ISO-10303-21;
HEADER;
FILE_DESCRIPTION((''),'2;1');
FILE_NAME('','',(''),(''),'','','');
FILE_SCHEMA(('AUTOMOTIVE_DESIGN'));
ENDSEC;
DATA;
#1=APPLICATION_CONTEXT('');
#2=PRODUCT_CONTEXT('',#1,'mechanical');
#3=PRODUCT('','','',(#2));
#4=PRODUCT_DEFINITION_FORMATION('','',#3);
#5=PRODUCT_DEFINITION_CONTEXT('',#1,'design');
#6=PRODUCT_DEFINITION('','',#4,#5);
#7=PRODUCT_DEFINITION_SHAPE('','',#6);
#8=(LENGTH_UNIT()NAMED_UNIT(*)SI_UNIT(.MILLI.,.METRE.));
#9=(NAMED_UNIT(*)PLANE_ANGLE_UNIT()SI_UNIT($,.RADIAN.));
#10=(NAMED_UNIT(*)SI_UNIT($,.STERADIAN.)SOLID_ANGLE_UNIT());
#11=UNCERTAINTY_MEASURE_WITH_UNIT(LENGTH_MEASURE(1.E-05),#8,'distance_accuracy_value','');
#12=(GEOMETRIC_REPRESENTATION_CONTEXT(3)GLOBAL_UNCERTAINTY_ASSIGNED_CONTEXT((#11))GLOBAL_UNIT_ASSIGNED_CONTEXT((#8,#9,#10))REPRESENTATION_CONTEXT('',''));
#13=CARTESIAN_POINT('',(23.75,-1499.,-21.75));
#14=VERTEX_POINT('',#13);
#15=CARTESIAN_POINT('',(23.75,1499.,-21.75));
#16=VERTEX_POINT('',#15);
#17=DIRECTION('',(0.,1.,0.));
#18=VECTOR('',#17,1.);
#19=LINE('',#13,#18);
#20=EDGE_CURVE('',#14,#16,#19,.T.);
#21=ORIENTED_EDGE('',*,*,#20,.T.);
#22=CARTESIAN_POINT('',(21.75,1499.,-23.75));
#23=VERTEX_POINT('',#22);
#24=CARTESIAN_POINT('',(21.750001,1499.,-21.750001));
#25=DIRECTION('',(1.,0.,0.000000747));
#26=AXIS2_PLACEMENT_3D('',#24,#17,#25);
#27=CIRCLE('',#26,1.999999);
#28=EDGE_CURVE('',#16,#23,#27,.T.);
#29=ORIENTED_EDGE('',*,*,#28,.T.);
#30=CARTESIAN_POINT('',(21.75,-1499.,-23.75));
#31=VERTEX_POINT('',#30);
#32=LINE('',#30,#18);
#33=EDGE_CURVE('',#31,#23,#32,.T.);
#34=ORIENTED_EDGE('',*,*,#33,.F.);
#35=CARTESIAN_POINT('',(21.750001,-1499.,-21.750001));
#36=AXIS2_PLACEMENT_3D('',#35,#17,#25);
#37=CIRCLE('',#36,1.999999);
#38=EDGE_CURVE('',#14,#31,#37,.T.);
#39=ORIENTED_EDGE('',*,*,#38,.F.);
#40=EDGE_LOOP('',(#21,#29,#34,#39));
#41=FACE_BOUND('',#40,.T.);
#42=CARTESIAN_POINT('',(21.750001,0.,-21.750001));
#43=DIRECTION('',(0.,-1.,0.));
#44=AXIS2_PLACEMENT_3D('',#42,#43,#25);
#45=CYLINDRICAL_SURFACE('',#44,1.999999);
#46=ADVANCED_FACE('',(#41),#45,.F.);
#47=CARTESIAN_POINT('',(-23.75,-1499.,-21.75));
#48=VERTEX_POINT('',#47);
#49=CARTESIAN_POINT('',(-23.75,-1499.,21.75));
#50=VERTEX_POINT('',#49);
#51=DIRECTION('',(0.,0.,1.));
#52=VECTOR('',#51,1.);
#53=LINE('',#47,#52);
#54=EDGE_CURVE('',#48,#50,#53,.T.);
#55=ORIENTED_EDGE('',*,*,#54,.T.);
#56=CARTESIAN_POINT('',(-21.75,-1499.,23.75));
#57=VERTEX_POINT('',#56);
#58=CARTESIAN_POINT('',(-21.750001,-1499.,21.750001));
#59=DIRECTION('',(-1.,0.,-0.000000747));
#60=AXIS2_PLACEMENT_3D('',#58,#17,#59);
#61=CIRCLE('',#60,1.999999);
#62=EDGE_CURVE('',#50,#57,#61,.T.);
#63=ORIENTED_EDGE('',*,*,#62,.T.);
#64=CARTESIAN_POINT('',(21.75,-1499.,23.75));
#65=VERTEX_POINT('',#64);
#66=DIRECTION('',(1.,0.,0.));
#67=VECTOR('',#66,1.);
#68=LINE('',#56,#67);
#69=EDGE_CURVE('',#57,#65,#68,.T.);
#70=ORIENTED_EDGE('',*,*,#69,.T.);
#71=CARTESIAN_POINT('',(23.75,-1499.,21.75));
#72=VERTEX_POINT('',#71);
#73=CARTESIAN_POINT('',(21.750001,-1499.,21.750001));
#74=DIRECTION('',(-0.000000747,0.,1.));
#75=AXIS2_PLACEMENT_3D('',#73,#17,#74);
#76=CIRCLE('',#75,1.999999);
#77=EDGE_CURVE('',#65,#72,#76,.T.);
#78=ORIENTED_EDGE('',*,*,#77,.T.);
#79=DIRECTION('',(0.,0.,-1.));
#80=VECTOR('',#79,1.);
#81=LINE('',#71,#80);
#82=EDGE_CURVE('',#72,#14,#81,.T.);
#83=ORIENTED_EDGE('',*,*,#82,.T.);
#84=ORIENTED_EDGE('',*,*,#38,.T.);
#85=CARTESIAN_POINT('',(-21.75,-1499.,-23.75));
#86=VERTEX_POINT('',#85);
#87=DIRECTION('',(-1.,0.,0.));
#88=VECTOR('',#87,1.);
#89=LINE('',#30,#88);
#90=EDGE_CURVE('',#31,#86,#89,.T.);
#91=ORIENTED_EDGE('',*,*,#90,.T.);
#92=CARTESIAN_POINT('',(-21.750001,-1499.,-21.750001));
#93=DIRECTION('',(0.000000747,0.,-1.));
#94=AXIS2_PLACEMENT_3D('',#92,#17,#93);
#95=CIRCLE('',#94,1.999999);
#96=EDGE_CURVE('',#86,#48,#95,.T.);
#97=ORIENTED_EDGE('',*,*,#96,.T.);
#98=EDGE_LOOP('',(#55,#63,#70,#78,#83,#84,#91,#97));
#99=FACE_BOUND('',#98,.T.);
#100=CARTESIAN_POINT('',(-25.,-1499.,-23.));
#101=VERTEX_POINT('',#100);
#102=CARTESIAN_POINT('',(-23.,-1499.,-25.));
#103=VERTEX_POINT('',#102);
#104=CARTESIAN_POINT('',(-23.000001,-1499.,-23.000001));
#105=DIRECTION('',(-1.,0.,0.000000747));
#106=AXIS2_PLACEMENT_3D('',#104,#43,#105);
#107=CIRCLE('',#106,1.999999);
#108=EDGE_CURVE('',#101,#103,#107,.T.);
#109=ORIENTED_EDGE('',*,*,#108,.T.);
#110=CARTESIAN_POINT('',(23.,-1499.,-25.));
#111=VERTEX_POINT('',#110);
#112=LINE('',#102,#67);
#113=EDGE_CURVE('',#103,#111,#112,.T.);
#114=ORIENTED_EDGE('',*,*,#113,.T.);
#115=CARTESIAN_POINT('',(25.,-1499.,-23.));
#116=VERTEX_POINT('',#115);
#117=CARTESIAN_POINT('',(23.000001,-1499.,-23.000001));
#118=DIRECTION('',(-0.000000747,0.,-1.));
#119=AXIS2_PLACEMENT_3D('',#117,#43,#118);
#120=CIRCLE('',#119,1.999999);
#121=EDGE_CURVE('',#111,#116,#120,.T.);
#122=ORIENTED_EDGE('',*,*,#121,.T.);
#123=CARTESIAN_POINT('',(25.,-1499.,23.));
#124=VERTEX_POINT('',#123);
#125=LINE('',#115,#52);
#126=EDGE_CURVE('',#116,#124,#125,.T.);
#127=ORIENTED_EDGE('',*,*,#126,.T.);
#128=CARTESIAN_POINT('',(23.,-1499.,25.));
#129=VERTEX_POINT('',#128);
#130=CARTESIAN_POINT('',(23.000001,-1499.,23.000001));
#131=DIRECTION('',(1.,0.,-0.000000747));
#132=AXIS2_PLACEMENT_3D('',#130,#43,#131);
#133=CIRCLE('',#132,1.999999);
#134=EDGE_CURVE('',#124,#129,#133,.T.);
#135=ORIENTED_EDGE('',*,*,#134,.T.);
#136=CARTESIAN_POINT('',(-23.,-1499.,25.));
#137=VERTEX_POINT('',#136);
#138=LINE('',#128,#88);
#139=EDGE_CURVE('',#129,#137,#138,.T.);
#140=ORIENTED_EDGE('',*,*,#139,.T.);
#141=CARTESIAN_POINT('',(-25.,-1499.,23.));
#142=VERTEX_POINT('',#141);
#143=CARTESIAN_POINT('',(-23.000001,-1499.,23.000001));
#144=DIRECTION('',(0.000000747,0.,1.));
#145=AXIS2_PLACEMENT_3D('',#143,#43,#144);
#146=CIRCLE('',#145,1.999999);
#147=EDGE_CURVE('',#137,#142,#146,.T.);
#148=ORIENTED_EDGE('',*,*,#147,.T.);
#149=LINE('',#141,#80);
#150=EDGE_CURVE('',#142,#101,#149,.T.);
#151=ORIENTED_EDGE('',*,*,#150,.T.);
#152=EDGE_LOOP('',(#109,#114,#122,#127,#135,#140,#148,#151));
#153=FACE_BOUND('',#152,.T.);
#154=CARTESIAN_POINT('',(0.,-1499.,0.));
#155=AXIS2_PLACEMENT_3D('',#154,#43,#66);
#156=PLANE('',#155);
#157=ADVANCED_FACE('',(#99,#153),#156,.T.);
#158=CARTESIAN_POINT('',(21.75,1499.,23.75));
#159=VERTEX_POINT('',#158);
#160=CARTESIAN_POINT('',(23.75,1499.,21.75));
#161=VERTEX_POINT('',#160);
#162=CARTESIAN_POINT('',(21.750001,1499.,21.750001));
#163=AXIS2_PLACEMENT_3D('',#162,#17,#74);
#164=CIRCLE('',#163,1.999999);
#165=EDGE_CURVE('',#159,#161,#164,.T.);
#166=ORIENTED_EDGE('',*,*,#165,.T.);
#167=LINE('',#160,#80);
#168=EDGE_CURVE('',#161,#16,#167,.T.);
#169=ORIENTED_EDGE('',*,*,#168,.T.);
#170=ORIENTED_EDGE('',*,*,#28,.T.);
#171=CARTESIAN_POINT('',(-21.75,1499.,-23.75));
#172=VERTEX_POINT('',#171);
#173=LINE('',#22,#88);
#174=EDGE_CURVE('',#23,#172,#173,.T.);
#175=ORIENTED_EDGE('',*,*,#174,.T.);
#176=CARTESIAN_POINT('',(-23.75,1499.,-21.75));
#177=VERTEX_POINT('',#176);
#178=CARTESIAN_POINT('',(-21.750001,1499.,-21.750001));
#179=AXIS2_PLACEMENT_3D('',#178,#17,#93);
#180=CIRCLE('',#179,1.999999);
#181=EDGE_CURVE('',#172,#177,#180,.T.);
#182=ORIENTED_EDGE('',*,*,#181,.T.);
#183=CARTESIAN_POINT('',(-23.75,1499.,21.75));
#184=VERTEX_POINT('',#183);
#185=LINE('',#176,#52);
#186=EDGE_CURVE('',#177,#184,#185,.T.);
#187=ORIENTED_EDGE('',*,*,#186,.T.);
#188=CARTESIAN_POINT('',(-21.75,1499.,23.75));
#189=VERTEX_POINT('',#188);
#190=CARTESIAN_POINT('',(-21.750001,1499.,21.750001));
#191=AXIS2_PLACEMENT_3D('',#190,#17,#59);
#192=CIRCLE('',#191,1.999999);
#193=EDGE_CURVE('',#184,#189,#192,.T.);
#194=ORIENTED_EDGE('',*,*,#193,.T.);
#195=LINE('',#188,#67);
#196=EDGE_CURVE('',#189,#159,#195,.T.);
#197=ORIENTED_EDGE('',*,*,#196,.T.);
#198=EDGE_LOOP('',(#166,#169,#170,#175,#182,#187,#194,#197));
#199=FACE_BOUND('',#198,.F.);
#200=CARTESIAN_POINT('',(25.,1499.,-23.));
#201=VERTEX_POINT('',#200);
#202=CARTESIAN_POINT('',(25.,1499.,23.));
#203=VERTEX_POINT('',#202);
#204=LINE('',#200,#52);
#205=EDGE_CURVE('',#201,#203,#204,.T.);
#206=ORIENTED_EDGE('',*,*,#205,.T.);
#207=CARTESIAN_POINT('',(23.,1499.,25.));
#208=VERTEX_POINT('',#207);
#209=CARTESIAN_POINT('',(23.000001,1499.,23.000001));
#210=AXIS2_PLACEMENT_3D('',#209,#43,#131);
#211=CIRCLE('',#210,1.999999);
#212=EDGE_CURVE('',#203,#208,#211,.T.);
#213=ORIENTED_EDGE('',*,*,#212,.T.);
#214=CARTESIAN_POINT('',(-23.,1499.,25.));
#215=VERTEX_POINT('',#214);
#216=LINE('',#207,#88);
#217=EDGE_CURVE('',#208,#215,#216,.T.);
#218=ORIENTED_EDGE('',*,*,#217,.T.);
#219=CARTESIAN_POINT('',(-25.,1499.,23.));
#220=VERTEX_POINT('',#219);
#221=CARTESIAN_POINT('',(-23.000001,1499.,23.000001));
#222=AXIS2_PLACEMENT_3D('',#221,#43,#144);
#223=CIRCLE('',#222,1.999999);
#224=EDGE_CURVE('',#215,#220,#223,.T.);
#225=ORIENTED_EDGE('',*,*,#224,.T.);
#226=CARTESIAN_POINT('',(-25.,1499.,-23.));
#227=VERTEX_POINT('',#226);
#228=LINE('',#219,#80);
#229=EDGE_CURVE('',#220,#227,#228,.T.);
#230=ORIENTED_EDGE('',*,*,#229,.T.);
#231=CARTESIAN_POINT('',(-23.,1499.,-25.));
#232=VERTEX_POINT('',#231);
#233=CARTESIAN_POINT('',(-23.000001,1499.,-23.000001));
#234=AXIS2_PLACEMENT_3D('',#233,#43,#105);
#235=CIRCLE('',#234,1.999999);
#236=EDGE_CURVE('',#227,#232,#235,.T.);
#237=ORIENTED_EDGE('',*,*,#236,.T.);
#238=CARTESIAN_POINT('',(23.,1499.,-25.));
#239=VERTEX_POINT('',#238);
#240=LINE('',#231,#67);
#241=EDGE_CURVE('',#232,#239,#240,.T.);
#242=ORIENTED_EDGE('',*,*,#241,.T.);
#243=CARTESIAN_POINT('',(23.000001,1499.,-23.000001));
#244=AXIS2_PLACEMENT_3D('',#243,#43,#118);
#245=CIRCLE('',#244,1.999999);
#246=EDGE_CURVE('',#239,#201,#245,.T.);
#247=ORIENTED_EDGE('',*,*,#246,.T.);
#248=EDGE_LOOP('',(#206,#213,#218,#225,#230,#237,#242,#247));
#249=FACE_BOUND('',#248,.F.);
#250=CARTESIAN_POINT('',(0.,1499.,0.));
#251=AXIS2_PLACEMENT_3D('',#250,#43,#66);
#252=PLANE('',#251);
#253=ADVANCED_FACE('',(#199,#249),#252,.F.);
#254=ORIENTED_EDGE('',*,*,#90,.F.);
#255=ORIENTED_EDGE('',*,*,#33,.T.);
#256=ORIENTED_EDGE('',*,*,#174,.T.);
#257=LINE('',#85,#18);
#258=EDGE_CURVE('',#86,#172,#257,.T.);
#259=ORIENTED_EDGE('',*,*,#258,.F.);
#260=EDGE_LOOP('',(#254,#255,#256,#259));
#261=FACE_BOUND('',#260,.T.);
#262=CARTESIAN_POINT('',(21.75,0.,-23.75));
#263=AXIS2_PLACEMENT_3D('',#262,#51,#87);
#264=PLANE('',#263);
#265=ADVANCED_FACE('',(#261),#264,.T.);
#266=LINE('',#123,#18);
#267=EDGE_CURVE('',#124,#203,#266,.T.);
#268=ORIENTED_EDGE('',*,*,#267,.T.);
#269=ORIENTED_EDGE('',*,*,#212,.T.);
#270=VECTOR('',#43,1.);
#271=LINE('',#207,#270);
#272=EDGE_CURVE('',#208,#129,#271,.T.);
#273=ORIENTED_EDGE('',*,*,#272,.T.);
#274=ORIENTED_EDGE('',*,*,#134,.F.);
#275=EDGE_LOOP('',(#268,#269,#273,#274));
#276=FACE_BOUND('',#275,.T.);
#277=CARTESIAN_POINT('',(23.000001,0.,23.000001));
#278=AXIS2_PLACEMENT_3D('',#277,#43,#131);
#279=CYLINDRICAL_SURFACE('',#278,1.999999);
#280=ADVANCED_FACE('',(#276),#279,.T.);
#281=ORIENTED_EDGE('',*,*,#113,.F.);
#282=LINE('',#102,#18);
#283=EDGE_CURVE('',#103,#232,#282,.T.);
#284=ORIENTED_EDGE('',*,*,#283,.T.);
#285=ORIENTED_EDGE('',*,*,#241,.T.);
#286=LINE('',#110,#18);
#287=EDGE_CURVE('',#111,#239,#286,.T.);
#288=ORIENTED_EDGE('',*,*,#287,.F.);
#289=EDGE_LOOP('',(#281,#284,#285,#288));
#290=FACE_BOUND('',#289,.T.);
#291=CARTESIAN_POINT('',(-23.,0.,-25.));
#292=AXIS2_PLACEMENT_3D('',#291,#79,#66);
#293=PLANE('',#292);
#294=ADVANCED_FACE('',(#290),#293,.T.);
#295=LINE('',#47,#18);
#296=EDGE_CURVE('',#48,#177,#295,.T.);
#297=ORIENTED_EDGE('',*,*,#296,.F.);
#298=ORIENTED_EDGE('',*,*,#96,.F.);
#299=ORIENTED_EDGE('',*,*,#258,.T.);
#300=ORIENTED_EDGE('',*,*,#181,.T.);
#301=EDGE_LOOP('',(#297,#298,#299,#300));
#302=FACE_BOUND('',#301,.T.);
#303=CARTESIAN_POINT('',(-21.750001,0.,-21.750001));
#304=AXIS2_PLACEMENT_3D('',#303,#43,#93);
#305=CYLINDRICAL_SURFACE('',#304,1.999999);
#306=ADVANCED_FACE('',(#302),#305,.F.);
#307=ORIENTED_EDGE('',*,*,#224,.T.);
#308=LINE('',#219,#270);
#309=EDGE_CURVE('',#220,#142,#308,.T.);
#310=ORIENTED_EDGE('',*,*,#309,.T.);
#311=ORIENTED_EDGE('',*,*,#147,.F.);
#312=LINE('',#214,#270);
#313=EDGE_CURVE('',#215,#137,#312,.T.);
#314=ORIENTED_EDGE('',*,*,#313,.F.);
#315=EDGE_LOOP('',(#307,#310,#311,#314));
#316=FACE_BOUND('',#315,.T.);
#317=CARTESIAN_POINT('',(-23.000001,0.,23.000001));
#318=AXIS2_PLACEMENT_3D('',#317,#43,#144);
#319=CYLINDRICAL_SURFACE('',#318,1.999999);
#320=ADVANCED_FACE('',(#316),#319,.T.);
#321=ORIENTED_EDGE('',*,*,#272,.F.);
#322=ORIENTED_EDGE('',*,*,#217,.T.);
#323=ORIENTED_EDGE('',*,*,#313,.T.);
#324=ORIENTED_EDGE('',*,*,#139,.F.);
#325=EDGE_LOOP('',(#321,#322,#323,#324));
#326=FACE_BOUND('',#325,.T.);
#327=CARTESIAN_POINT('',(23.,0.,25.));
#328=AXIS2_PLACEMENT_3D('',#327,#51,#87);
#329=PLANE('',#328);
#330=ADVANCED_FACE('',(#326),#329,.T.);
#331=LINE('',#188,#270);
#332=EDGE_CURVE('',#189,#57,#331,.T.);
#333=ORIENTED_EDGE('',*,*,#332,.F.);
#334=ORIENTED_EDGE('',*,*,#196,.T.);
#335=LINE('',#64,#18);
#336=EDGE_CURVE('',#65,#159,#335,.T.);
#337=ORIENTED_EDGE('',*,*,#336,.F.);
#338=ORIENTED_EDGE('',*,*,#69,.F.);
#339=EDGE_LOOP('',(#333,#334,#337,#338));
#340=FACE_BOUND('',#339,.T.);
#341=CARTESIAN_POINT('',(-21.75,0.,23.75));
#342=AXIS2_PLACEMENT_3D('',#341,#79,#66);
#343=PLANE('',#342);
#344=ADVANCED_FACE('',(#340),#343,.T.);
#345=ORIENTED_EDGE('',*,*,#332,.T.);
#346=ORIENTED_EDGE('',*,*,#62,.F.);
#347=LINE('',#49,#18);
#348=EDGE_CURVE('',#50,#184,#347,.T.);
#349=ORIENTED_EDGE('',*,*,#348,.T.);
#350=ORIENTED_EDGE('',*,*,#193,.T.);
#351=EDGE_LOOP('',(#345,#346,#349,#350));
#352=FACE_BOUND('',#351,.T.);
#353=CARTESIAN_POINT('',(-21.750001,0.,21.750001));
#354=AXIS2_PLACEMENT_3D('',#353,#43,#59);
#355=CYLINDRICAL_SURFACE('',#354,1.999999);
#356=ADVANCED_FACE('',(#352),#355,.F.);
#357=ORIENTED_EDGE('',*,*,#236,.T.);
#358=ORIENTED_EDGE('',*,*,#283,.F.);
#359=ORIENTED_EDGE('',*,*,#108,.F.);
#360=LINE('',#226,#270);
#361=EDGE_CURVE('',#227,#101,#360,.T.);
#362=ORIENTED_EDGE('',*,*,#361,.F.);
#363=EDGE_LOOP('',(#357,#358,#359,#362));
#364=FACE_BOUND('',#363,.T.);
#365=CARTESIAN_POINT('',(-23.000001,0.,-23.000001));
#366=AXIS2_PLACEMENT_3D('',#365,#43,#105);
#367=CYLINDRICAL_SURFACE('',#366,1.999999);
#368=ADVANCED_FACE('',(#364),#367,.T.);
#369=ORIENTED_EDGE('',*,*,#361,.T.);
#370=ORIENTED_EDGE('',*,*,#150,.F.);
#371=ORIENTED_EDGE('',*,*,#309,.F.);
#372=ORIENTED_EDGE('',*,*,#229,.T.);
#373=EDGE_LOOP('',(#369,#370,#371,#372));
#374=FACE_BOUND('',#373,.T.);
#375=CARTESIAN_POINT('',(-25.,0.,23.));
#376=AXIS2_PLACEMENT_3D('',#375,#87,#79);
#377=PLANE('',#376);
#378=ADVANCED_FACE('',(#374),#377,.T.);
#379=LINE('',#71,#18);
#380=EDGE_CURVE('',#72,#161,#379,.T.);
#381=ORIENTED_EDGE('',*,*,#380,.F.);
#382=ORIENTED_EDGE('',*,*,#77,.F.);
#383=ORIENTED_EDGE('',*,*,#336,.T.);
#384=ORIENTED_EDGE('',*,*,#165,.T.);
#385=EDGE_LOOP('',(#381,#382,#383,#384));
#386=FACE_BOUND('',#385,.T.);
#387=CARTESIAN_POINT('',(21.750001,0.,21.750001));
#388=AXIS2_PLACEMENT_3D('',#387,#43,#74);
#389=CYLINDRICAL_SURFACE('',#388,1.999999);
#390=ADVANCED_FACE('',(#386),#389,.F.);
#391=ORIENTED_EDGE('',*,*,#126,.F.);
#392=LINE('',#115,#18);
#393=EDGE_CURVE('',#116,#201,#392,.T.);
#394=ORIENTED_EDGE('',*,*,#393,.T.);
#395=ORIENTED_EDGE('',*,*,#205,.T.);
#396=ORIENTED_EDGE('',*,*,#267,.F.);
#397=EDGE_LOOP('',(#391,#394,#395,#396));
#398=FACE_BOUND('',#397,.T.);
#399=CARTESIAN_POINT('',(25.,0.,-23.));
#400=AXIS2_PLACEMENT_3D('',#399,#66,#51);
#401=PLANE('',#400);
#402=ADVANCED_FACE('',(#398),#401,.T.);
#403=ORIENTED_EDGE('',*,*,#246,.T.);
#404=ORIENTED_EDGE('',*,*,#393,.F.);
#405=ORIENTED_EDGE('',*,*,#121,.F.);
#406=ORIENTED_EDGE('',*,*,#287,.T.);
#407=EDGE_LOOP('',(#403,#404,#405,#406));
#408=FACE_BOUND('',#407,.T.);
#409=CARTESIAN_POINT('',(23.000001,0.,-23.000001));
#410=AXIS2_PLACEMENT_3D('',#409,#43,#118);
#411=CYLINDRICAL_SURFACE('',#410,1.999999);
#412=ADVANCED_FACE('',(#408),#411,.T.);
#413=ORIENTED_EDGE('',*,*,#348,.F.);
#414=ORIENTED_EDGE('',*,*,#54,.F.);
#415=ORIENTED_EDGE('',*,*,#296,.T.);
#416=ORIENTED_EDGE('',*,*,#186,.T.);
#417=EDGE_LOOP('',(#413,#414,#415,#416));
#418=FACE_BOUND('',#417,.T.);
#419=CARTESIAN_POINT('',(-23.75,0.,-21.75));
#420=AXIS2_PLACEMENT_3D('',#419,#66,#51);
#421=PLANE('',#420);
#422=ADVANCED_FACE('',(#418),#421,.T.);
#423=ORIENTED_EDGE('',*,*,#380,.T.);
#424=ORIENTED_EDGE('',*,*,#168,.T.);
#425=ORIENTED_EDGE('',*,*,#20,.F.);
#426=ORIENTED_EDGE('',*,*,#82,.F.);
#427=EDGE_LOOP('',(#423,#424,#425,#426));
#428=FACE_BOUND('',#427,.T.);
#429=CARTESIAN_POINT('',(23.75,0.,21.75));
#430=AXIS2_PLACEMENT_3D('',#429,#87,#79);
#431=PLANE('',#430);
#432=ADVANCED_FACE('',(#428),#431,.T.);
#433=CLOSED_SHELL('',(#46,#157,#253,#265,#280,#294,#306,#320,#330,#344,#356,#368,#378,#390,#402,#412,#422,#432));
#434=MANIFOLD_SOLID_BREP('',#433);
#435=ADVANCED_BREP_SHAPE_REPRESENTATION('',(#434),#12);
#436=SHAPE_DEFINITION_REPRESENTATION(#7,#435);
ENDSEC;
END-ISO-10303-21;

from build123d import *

# Parameters (mm, degrees)
F1_DEPTH = 1499


with BuildPart() as f1:
    # F0 (on Front) → F1 (new body, symmetric)
    with BuildSketch(Plane.XZ):
        with BuildLine():
            ThreePointArc((25, 23), (24.414214, 24.414214), (23, 25))
            Line((23, 25), (-23, 25))
            ThreePointArc((-23, 25), (-24.414214, 24.414214), (-25, 23))
            Line((-25, 23), (-25, -23))
            ThreePointArc((-25, -23), (-24.414214, -24.414214), (-23, -25))
            Line((-23, -25), (23, -25))
            ThreePointArc((23, -25), (24.414214, -24.414214), (25, -23))
            Line((25, -23), (25, 23))
        make_face()
        with BuildLine():
            Line((-21.75, 23.75), (21.75, 23.75))
            ThreePointArc((21.75, 23.75), (23.164214, 23.164214), (23.75, 21.75))
            Line((23.75, 21.75), (23.75, -21.75))
            ThreePointArc((23.75, -21.75), (23.164214, -23.164214), (21.75, -23.75))
            Line((21.75, -23.75), (-21.75, -23.75))
            ThreePointArc((-21.75, -23.75), (-23.164214, -23.164214), (-23.75, -21.75))
            Line((-23.75, -21.75), (-23.75, 21.75))
            ThreePointArc((-23.75, 21.75), (-23.164214, 23.164214), (-21.75, 23.75))
        make_face(mode=Mode.SUBTRACT)
    extrude(amount=F1_DEPTH, both=True)


solid = f1.part
